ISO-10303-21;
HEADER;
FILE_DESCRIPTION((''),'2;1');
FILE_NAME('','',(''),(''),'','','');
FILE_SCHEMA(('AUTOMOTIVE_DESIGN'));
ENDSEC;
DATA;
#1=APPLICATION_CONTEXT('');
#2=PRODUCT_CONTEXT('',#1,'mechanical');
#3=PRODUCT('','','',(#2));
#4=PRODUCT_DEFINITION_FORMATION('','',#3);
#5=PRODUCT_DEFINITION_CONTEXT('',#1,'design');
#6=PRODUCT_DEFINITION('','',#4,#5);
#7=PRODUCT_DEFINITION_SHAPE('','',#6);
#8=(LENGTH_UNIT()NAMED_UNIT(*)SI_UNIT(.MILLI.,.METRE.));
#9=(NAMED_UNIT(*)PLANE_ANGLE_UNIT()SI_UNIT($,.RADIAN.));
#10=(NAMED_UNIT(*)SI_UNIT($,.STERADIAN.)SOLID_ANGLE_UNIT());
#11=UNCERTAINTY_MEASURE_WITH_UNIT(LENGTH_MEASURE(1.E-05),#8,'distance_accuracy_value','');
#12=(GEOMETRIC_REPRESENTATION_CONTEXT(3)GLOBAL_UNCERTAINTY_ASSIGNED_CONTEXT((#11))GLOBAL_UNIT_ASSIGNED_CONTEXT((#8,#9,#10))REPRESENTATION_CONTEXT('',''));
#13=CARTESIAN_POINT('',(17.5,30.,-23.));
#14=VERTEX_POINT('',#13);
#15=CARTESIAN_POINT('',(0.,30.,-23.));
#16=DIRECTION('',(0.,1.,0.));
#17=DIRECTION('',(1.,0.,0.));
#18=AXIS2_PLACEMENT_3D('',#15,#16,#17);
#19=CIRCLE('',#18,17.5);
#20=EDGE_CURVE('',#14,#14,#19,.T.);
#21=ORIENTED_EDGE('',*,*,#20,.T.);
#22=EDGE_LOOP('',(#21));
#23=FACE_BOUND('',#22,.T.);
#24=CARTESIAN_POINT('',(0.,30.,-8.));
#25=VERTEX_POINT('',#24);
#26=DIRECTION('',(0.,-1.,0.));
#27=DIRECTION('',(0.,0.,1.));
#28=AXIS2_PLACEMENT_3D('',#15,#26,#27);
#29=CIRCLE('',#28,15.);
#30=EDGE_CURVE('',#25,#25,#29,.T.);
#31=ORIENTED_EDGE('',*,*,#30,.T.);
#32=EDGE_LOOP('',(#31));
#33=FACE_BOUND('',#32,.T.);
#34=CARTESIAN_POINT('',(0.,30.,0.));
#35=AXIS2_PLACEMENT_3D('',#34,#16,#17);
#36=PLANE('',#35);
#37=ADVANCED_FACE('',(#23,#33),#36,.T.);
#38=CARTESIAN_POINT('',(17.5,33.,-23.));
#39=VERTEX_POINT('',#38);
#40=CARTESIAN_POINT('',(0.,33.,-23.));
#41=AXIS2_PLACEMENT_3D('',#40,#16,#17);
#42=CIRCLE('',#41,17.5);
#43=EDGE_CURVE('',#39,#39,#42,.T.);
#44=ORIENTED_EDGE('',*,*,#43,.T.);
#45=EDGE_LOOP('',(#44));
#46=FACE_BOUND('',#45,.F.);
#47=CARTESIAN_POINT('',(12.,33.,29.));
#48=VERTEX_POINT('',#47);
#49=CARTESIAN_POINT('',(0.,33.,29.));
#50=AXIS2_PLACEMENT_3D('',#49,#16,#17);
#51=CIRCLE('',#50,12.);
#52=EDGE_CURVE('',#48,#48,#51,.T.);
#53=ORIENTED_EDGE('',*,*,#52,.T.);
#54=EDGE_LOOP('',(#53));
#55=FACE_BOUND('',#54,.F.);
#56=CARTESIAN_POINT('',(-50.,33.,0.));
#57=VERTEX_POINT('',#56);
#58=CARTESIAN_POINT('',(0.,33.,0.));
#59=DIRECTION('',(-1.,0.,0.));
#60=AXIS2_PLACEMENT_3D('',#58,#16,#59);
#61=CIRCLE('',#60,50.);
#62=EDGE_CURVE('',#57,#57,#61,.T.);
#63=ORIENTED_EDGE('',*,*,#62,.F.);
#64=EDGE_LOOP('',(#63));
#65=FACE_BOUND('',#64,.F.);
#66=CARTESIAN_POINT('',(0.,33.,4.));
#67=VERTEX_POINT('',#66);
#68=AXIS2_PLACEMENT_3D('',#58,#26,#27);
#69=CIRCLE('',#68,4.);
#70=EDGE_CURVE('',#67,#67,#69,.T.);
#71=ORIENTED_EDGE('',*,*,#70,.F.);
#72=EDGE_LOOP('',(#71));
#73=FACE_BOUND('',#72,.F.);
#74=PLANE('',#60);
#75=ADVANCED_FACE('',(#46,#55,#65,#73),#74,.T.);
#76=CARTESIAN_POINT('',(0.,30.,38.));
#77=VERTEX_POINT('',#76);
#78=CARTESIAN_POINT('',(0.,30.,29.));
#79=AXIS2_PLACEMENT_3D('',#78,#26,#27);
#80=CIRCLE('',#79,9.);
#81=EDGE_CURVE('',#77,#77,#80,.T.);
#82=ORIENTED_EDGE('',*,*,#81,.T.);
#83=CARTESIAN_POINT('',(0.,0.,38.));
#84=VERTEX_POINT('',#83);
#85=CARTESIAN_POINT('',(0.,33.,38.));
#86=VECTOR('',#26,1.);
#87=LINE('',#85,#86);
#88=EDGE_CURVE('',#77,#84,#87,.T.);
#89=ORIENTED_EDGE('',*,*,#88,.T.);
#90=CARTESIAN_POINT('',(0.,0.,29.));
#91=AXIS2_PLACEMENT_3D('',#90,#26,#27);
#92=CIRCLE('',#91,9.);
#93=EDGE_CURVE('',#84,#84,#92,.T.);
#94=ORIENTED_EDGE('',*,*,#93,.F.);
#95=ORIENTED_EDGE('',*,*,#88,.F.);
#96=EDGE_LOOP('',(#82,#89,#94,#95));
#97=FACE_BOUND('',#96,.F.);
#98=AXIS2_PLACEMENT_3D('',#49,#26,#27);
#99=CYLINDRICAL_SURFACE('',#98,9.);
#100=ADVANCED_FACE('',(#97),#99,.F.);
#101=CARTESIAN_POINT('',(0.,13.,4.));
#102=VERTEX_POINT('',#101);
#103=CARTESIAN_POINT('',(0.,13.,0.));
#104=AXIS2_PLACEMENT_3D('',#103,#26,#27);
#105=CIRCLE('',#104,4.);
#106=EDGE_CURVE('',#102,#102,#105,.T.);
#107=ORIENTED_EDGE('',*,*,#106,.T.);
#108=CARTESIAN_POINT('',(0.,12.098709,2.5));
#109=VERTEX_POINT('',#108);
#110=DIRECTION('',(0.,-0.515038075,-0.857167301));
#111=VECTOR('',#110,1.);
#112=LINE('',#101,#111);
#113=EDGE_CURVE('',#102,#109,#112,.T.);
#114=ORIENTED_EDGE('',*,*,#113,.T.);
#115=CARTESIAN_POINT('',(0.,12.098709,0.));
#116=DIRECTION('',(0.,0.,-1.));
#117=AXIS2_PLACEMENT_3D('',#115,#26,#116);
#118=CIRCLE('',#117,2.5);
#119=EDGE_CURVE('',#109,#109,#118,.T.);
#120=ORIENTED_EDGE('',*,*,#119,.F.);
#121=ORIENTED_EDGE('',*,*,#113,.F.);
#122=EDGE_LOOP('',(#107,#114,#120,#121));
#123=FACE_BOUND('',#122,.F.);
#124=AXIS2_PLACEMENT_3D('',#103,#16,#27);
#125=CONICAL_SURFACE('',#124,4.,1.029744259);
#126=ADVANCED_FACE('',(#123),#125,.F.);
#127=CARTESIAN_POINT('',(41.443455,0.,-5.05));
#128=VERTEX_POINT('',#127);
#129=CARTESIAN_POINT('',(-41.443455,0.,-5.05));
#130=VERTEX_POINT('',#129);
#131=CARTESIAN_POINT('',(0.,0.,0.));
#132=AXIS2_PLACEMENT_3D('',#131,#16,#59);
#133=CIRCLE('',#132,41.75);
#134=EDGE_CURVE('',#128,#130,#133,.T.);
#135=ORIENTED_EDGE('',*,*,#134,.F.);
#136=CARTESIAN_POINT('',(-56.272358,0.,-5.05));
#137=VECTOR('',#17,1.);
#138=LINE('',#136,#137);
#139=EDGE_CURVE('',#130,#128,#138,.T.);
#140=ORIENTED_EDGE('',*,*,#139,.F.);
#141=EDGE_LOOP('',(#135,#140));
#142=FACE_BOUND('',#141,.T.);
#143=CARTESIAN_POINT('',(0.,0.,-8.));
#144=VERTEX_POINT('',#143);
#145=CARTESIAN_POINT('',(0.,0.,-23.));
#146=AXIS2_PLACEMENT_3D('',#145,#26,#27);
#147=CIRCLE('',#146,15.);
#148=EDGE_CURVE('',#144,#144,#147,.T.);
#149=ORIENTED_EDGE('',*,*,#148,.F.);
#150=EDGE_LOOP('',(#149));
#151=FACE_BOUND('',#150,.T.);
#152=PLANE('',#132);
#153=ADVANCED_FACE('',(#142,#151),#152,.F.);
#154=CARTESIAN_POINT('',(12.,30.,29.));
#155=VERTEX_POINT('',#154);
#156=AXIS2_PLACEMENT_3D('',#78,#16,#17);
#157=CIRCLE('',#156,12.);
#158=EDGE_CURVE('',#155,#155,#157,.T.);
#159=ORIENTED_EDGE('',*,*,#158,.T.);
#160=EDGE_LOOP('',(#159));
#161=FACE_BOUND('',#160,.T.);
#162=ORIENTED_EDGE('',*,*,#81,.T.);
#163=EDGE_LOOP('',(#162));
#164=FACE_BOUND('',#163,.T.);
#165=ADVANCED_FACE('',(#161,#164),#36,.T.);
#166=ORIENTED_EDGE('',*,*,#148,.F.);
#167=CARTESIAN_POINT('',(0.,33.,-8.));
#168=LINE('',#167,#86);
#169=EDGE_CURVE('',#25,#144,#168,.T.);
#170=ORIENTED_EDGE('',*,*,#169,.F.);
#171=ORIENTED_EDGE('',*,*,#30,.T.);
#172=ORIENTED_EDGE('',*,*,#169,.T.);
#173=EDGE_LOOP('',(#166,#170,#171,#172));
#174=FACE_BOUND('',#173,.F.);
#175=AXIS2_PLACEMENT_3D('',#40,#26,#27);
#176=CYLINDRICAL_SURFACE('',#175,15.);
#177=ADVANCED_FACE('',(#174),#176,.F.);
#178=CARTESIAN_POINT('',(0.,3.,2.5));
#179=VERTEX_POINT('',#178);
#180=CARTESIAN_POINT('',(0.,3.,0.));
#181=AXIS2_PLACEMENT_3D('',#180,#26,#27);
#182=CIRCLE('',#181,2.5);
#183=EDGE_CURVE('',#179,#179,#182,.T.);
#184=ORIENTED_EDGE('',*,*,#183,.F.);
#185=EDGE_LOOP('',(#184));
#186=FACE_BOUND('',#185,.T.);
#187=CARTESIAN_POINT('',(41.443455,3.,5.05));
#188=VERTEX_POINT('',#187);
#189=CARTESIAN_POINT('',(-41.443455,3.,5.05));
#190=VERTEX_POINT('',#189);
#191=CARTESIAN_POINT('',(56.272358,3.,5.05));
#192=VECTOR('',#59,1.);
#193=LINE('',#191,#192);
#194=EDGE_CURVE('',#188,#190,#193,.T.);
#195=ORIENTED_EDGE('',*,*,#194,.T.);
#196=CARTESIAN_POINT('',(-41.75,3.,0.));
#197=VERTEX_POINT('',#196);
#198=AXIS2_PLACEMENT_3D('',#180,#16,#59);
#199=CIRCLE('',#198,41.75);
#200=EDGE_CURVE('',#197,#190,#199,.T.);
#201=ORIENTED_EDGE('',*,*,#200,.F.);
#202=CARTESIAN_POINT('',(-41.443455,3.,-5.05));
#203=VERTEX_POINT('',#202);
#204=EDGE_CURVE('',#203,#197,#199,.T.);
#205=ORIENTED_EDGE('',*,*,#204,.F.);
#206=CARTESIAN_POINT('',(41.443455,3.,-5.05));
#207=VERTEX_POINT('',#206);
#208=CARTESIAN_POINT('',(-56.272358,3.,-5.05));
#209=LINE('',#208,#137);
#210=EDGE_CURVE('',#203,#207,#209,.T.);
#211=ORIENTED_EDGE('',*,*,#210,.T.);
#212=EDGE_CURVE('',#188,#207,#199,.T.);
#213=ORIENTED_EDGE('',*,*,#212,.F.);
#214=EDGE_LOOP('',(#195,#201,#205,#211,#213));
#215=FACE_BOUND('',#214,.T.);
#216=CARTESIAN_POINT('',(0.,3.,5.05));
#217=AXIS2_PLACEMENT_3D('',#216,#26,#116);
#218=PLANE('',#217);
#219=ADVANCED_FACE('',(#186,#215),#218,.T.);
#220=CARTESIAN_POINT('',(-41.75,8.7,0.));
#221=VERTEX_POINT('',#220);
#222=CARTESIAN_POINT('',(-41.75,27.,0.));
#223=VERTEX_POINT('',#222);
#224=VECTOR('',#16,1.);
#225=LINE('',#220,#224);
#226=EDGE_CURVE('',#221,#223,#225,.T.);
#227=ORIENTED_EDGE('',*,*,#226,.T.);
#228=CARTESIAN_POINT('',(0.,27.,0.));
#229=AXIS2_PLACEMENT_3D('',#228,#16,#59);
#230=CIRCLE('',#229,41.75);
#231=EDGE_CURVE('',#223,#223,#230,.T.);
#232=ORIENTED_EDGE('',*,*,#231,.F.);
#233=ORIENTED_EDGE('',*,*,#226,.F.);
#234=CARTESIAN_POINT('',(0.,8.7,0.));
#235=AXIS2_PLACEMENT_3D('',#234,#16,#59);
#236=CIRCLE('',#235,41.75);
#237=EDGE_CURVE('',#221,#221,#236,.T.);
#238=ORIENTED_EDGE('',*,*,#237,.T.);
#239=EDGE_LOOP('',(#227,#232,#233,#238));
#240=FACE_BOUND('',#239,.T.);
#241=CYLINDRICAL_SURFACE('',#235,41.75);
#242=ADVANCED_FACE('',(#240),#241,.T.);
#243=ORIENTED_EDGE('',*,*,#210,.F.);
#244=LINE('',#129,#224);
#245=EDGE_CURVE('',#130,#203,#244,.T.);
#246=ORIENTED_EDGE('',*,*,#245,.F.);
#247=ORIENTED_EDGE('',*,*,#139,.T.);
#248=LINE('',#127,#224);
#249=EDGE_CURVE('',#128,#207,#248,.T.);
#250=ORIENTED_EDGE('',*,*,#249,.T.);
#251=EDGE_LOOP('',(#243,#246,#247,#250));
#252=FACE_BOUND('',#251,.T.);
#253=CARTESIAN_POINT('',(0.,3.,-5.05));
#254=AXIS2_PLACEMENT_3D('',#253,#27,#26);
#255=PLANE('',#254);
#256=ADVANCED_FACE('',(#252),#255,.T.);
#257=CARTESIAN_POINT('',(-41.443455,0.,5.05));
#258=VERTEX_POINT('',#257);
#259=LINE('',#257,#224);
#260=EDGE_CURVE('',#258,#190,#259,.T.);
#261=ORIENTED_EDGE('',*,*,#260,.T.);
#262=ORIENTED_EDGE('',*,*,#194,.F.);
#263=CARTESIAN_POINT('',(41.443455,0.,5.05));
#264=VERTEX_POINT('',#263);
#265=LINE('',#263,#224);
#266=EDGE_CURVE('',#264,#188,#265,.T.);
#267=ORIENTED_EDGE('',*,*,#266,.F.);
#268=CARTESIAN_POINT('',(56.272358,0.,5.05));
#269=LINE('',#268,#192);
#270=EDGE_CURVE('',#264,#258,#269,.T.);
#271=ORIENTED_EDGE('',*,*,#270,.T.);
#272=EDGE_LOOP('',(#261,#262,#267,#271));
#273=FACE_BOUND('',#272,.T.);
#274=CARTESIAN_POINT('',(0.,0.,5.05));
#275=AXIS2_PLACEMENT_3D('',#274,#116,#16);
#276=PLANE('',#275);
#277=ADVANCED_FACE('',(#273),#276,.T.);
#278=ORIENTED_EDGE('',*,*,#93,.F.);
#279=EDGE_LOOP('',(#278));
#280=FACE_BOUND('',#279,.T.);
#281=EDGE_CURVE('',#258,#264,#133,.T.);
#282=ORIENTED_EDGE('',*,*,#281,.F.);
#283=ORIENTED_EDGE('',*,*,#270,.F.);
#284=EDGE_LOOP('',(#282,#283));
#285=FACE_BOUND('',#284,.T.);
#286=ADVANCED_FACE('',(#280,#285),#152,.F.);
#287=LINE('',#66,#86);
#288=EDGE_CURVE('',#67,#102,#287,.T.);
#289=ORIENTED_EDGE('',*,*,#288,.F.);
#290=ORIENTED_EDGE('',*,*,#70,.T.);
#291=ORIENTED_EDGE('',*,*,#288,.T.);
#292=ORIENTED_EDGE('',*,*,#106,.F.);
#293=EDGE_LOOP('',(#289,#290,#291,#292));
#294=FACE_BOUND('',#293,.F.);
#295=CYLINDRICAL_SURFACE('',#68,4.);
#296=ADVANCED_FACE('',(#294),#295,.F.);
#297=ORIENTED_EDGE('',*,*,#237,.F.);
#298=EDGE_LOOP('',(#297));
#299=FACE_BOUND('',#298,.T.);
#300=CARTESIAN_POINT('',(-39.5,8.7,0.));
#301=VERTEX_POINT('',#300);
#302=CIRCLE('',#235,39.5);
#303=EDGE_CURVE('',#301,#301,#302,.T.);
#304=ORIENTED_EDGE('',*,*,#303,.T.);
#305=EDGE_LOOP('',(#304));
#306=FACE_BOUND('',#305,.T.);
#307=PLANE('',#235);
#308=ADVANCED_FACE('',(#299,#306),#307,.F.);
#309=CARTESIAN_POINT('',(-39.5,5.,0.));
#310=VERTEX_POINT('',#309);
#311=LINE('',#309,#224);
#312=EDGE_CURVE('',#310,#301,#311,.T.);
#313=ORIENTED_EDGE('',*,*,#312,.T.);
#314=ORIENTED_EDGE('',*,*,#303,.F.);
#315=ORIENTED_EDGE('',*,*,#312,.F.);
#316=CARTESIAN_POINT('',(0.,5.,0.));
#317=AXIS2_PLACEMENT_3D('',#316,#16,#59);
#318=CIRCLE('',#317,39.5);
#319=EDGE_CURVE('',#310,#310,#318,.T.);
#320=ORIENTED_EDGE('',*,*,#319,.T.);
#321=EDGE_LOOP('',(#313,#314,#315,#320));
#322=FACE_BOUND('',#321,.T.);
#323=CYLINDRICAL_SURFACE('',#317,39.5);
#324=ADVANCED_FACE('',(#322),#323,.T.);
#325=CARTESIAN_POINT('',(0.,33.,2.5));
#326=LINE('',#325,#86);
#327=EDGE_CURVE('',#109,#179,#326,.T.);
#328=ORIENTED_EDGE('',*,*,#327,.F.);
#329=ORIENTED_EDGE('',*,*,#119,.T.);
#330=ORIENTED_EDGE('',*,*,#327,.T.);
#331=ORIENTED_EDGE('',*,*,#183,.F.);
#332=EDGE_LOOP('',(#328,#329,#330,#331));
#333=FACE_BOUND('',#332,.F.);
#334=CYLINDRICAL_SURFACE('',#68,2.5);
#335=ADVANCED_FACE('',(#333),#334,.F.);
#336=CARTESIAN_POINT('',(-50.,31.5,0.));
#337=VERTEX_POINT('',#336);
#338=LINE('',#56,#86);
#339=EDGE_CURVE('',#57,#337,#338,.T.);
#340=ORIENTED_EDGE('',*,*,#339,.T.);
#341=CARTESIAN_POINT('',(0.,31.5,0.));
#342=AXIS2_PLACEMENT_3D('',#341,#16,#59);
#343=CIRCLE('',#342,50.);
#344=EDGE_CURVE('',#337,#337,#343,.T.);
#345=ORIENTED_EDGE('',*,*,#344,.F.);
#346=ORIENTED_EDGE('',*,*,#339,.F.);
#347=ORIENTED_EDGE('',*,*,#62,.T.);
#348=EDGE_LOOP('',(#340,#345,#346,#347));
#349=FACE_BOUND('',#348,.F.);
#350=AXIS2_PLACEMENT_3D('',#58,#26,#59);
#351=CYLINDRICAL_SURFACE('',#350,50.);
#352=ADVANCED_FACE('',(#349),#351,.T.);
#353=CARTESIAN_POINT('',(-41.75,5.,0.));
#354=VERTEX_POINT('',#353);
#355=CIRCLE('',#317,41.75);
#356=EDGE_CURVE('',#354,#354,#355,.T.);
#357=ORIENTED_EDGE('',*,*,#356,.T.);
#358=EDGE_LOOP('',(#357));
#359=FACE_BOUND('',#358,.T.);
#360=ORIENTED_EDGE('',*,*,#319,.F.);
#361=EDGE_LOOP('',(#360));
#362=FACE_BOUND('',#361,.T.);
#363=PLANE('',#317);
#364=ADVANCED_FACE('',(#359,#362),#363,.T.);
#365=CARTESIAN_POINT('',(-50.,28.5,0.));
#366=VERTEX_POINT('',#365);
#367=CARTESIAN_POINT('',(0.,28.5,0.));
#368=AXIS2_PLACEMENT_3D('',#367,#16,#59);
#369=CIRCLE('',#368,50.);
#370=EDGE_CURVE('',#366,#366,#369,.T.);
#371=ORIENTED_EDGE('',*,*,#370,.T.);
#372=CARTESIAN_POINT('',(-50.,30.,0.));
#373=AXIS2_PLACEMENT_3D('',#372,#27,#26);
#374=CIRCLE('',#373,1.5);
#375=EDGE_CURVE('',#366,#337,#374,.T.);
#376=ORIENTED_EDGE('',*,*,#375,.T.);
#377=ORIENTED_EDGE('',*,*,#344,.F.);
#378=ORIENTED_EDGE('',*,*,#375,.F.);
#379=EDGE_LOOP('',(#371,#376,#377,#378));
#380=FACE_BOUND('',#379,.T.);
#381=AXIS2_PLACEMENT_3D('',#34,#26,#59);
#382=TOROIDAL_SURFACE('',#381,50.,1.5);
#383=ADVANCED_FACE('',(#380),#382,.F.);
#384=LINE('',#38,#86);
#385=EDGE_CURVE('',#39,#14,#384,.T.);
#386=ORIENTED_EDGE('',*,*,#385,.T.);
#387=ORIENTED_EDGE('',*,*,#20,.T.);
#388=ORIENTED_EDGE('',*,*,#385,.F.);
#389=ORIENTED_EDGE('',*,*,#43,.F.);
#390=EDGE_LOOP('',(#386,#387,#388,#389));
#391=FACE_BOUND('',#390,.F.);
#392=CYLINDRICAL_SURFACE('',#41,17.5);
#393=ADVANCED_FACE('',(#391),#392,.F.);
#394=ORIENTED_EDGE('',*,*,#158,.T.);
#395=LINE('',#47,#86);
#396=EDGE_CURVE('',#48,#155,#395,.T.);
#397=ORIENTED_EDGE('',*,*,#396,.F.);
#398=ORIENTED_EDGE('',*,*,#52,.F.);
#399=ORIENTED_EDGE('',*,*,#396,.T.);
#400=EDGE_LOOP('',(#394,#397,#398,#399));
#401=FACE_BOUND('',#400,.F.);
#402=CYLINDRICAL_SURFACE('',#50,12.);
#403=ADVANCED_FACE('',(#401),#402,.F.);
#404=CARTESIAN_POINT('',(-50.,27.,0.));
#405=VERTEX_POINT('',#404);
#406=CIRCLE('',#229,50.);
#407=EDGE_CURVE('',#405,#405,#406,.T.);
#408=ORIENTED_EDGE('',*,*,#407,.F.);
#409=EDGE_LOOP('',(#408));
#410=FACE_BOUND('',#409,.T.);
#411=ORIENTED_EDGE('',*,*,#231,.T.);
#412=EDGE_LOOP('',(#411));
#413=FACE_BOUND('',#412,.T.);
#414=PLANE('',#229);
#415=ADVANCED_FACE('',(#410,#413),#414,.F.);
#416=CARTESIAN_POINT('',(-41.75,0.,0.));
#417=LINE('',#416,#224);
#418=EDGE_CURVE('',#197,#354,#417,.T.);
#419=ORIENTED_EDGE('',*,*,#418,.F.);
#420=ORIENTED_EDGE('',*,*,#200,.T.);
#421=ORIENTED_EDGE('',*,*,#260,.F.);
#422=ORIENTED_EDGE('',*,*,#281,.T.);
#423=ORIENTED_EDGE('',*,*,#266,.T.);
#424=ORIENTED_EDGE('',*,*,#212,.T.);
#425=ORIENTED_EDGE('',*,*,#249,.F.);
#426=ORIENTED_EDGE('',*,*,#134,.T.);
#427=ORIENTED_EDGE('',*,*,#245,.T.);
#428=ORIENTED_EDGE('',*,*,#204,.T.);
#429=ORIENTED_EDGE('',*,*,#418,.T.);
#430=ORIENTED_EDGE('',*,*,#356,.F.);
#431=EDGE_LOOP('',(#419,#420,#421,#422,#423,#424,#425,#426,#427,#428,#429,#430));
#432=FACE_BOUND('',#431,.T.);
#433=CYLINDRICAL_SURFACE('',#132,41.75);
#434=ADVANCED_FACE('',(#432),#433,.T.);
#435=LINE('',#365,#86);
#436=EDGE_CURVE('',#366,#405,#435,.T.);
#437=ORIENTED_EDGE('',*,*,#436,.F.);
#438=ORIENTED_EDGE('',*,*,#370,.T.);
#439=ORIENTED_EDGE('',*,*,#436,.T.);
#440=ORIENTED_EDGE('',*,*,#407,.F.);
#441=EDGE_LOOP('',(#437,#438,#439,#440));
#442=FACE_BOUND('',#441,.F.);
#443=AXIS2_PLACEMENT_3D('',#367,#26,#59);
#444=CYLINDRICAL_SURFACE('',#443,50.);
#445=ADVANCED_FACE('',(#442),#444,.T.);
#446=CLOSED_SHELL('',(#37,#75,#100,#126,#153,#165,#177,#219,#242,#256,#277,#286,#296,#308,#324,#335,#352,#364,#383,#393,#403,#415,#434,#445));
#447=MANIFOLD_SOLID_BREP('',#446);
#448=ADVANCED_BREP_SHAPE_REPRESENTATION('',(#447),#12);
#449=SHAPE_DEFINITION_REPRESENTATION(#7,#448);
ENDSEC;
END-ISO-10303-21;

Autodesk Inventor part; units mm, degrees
ref_plane "YZ Plane" through (0, 0, 0) normal (1, 0, 0) x (0, 1, 0)
ref_plane "XZ Plane" through (0, 0, 0) normal (0, 1, 0) x (-1, 0, 0)
ref_plane "XY Plane" through (0, 0, 0) normal (0, 0, 1) x (1, 0, 0)
sketch "Sketch1" plane through (0, 0, 0) normal (0, 0, 1) x (1, 0, 0)
  line L0 (0, 0) -> (0, 33)
  line L1 (0, 33) -> (-50, 33)
  line L2 (0, 0) -> (-41.75, 0)
  line L3 (-41.75, 0) -> (-41.75, 5)
  line L4 (-41.75, 5) -> (-39.5, 5)
  line L5 (-39.5, 5) -> (-39.5, 8.7)
  line L6 (-39.5, 8.7) -> (-41.75, 8.7)
  line L7 (-41.75, 8.7) -> (-26.5, 8.7) construction
  line L8 (-41.75, 8.7) -> (-41.75, 27)
  line L9 (-41.75, 27) -> (-50, 27)
  arc A0 (-50, 28.5) -> (-50, 31.5) centre (-50, 30) ccw
  line L10 (-50, 33) -> (-50, 31.5)
  line L11 (-50, 28.5) -> (-50, 27)
  point P0 (-50, 32.25)
  dimension "d0" = 33
  dimension "d1" = 50
  dimension "d2" = 6
  dimension "d3" = 41.75
  dimension "d4" = 5
  dimension "d5" = 3.7
  dimension "d9" = 39.5
  dimension "d65" = 3
  dimension "d66" = 1.5
  dimension "d67" = 8.25
revolve "Revolution1" add sketch "Sketch1" angle 360 about axis through (0, 0, 0) along (0, 1, 0)
sketch "Sketch3" plane through (0, 33, 0) normal (0, 1, 0) x (1, 0, 0)
  circle A0 centre (0, 0) radius 41
  circle A1 centre (0, 23) radius 16.5 construction
  dimension "d17" = 33
  dimension "d25" = 23
hole "Hole1" at (0, 33, -23) direction (0, -1, 0) diameter 30 end through all
sketch "Sketch4" plane through (0, 33, 0) normal (0, 1, 0) x (1, 0, 0)
  circle A0 centre (0, 0) radius 39.5 projected
  point P0 (0, -29)
  dimension "d27" = 29
hole "Hole2" at (0, 33, 29) direction (0, -1, 0) diameter 18 end through all
sketch "Sketch5" plane through (0, 0, 0) normal (1, 0, 0) x (0, 1, 0)
  line L0 (0, 0) -> (0, 5.05)
  line L1 (0, -41.75) -> (0, 41.75) projected
  line L2 (0, 5.05) -> (3, 5.05)
  line L3 (3, 5.05) -> (3, -5.05)
  line L4 (3, -5.05) -> (0, -5.05)
  line L5 (0, -5.05) -> (0, 0)
  dimension "d35" = 5.05
  dimension "d36" = 3
  dimension "d37" = 10.1
extrude "Extrusion2" cut sketch "Sketch5" against normal through all both and the other way through all
sketch "Sketch6" plane through (0, 33, 0) normal (0, 1, 0) x (1, 0, 0)
  circle A0 centre (0, 23) radius 15 projected
  point P0 (0, 0)
  point P1 (0, 0)
hole "Hole3" at (0, 33, 0) direction (0, -1, 0) diameter 5 end through all
hole "Hole4" at (0, 33, 0) direction (0, -1, 0) diameter 8 depth 20 tip angle 118
sketch "Sketch7" plane through (0, 33, 0) normal (0, 1, 0) x (1, 0, 0)
  circle A0 centre (0, -29) radius 9 projected
  circle A1 centre (0, -29) radius 12
  circle A2 centre (0, 23) radius 15 projected
  circle A3 centre (0, 23) radius 17.5
  point P0 (0, 0)
  dimension "d57" = 24
  dimension "d58" = 35
extrude "Extrusion3" cut sketch "Sketch7" against normal blind 3 contours A0 | A1 | A2 | A3
thread "Thread1" size "M20x2" class "6H" standard "ANSI Metric M Profile" length 9
thread "Thread2" size "M33x3" class "6H" standard "ANSI Metric M Profile" length 12
properties part number "Body glass top" material "Polypropylene"
